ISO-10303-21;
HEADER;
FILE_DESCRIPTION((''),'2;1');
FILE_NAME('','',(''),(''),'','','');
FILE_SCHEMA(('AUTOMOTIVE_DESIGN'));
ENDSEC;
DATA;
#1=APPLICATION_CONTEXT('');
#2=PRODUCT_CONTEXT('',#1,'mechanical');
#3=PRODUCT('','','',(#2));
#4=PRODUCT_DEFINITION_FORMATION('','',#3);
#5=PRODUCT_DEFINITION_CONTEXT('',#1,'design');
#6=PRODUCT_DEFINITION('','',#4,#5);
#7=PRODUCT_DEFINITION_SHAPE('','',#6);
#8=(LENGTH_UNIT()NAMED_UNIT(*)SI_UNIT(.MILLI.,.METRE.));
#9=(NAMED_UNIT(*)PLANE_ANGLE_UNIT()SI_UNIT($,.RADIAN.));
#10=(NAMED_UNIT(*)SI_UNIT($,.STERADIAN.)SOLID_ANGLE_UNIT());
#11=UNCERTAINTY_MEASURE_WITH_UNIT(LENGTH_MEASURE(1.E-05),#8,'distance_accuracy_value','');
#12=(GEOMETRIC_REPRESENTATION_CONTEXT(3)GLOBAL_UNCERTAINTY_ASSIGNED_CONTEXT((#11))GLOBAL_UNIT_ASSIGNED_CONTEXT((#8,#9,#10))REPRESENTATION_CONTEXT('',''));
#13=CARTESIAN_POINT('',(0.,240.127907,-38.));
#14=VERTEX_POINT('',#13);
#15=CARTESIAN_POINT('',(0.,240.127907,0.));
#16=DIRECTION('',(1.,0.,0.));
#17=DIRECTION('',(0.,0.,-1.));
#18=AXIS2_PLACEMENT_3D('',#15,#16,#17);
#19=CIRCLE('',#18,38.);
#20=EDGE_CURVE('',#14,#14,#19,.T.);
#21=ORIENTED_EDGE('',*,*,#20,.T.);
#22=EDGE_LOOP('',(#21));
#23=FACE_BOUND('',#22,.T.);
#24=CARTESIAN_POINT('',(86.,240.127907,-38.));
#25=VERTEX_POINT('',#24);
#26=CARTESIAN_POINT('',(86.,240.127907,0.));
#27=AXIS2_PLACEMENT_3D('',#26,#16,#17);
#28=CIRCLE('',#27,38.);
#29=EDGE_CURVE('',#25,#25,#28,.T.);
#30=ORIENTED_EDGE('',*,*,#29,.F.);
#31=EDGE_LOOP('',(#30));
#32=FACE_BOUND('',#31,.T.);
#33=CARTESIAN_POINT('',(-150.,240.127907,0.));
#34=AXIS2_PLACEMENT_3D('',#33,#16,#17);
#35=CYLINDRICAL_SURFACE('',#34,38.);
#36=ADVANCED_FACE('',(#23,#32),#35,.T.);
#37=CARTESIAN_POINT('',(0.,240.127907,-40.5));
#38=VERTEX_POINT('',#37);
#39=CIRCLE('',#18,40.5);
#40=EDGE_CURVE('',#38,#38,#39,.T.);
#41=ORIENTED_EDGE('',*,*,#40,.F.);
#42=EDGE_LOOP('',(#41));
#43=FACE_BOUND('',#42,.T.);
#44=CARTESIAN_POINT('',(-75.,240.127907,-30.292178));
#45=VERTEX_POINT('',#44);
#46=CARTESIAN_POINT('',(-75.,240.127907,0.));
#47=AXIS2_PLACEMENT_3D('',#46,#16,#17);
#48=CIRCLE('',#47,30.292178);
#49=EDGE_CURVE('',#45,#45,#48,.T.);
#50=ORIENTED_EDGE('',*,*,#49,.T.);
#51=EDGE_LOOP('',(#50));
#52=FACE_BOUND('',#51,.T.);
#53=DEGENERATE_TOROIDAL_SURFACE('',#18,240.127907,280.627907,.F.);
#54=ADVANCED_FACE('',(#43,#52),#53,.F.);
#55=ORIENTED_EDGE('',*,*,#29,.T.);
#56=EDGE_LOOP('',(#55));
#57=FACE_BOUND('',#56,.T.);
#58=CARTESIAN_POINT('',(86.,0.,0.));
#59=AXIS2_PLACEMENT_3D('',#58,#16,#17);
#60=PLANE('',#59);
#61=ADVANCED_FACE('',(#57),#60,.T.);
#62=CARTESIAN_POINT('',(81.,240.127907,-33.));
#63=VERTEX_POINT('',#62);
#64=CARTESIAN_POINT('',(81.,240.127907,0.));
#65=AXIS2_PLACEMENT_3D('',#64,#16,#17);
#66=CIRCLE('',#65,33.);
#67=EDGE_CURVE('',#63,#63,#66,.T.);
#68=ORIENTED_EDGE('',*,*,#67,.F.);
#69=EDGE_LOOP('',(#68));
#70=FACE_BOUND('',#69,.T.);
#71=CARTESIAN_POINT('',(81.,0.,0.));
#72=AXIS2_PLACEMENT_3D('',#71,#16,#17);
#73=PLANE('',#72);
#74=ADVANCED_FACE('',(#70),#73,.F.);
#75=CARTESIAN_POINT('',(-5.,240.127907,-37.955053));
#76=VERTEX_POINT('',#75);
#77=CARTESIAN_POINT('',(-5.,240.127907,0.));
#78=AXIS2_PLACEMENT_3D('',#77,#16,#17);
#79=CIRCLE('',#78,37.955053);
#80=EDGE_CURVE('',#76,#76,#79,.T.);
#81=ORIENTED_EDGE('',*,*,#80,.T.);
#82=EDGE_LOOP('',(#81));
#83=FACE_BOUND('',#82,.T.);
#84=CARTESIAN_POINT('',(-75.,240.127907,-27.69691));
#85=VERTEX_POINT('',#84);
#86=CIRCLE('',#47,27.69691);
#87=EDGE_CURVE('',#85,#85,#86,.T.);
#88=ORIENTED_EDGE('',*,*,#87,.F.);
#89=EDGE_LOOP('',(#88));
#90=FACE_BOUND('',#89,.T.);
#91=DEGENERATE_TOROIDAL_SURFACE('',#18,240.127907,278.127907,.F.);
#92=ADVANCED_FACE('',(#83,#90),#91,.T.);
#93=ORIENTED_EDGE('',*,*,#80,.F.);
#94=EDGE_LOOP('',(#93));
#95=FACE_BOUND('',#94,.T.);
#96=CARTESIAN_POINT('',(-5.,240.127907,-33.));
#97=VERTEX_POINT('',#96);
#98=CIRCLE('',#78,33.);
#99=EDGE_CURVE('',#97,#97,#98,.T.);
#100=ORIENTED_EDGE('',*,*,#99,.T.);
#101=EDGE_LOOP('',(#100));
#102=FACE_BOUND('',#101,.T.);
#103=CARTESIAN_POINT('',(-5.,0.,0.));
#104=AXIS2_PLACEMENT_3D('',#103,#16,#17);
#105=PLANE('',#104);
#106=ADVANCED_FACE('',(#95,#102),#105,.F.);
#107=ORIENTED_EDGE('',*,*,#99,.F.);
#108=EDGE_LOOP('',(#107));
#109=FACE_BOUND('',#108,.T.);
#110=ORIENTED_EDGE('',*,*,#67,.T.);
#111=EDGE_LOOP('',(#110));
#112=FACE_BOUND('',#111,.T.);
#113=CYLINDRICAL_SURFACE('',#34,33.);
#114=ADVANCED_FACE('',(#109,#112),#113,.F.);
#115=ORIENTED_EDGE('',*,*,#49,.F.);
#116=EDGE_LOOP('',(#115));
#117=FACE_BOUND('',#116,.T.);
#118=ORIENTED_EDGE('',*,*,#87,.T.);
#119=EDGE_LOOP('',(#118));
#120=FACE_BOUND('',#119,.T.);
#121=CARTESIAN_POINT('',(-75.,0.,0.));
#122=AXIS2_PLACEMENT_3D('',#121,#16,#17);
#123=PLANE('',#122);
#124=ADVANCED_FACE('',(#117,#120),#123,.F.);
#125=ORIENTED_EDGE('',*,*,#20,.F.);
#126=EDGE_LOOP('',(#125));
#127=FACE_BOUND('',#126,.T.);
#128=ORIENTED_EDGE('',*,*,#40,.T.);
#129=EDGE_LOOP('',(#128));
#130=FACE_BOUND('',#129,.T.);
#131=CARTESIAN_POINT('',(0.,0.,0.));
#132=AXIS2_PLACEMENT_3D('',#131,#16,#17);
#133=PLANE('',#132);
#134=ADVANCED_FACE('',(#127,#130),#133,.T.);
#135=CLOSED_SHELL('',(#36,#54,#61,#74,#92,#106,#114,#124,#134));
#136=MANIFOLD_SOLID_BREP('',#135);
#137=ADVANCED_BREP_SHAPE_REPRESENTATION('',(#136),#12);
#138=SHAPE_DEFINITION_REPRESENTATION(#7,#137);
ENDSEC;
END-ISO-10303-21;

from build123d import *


with BuildPart() as part:
    # Sketch1 → Revolve1 (revolve)
    with BuildSketch(Plane.XY, mode=Mode.PRIVATE) as revolve1_sk:
        with BuildLine():
            Line((0, 278.127906977), (0, 280.627906977))
            ThreePointArc((0, 280.627906977), (-37.845738323, 278.064241255), (-75, 270.420084635))
            Line((-75, 270.420084635), (-75, 267.824817071))
            ThreePointArc((-75, 267.824817071), (-40.327501461, 275.188708462), (-5, 278.082959994))
            Line((-5, 278.082959994), (-5, 273.127906977))
            Line((-5, 273.127906977), (81, 273.127906977))
            Line((81, 273.127906977), (81, 245.127906977))
            Line((81, 245.127906977), (81, 240.127906977))
            Line((81, 240.127906977), (86, 240.127906977))
            Line((86, 240.127906977), (86, 278.127906977))
            Line((86, 278.127906977), (0, 278.127906977))
        make_face()
    revolve(revolve1_sk.sketch.rotate(Axis((-150, 240.127906977, 0), (-1, 0, 0)), 90), axis=Axis((-150, 240.127906977, 0), (-1, 0, 0)))


solid = part.part
